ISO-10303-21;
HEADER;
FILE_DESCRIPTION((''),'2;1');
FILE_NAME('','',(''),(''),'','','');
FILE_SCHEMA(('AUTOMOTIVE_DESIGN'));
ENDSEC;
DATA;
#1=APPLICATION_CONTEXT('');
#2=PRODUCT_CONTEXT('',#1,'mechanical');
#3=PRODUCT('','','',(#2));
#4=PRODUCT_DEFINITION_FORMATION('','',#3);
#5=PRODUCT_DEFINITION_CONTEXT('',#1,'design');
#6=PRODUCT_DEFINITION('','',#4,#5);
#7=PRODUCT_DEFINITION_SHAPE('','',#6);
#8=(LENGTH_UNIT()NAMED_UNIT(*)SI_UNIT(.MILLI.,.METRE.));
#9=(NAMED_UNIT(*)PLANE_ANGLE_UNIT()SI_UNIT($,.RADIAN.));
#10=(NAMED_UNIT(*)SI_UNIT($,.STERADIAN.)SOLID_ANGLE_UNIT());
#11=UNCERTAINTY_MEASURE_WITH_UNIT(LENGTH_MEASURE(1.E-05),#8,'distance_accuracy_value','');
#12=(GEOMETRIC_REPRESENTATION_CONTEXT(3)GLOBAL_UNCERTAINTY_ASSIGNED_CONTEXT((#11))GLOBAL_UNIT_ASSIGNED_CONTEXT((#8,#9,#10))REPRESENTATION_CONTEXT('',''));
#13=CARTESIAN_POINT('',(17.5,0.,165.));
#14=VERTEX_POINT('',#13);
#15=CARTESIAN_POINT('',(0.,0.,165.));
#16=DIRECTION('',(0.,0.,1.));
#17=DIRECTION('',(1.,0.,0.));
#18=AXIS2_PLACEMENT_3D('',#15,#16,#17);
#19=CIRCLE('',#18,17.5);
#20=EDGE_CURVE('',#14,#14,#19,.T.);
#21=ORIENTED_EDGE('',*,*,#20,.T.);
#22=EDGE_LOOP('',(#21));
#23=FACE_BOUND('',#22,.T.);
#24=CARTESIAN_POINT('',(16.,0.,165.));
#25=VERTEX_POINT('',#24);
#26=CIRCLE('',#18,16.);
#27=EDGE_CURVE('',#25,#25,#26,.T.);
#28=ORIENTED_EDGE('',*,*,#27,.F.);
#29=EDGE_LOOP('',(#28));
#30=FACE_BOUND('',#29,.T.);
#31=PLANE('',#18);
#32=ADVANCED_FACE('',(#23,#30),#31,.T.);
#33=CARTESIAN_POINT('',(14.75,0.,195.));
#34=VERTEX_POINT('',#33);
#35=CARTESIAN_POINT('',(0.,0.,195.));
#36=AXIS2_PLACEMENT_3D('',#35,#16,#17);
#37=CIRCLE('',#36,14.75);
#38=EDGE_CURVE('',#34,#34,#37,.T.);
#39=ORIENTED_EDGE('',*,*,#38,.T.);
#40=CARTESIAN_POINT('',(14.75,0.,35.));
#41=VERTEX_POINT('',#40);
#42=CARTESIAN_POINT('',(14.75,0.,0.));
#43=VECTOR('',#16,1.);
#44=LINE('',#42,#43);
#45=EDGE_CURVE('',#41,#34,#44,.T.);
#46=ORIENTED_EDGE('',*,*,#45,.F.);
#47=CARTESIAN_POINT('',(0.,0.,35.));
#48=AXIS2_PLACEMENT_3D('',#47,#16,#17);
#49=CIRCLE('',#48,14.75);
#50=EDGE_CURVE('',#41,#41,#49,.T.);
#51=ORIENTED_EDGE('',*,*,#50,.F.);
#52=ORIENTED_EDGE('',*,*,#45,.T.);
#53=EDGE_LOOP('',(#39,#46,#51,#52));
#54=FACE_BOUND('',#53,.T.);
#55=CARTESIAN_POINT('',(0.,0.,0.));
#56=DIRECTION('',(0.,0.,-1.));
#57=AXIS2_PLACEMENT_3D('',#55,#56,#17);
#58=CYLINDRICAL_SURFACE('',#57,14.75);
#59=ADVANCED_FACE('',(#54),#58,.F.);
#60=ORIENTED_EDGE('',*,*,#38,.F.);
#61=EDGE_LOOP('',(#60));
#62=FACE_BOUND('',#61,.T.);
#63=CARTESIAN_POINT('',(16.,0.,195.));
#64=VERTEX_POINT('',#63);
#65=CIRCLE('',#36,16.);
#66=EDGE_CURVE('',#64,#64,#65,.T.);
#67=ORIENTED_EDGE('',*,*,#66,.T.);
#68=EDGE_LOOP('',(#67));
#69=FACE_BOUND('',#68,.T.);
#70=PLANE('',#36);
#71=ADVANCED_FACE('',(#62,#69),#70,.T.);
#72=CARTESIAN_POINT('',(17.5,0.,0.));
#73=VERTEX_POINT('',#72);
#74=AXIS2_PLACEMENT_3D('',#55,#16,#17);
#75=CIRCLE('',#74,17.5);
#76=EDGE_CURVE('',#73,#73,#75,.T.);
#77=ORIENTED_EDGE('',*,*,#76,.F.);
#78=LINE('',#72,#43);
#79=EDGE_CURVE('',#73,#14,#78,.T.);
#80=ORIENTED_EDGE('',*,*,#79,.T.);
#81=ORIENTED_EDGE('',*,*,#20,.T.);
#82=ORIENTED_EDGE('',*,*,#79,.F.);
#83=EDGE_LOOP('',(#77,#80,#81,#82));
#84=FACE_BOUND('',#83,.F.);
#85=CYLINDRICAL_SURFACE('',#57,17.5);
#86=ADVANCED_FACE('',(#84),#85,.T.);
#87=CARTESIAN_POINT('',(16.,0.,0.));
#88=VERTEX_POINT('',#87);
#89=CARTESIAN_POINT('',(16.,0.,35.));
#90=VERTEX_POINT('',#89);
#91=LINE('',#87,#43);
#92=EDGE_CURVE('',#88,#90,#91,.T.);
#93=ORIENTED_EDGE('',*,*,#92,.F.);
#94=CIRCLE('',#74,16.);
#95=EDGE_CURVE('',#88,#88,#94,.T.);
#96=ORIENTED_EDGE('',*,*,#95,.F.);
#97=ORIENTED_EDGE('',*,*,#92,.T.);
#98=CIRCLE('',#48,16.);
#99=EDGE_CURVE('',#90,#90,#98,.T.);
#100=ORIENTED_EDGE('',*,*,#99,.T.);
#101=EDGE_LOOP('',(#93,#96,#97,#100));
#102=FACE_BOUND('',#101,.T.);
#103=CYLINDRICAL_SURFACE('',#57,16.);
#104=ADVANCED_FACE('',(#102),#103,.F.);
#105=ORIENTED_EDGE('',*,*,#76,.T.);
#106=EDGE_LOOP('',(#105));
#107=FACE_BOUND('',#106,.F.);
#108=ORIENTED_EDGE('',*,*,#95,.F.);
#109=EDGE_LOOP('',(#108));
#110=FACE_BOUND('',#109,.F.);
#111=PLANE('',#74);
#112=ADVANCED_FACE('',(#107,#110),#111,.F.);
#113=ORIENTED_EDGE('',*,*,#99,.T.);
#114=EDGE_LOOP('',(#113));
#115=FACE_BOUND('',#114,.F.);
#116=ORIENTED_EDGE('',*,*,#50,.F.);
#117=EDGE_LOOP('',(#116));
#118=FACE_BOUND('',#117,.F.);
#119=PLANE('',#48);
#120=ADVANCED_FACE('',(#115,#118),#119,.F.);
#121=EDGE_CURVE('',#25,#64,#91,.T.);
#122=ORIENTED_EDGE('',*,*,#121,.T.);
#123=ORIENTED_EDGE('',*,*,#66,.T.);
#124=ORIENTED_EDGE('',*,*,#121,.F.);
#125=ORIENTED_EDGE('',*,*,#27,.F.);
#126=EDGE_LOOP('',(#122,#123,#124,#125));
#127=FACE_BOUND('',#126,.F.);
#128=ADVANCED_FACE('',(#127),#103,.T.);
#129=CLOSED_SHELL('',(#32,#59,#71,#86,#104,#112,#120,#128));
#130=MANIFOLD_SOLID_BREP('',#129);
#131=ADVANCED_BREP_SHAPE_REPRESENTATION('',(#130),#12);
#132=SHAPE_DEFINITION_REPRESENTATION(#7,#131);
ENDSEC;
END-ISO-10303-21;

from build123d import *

# Parameters (mm, degrees)
F0_R     = 16
F0_R_2   = 14.75
F1_DEPTH = 195
F0_R_3   = 17.5
F2_DEPTH = 165
F3_DEPTH = 35


with BuildPart() as f1:
    # F0 (on Top) → F1 (new body)
    with BuildSketch(Plane.XY):
        Circle(F0_R)
        Circle(F0_R_2, mode=Mode.SUBTRACT)
    extrude(amount=F1_DEPTH)

    # F0 (on Top) → F2 (join)
    with BuildSketch(Plane.XY):
        Circle(F0_R_3)
        Circle(F0_R, mode=Mode.SUBTRACT)
    extrude(amount=F2_DEPTH)

    # F0 (on Top) → F3 (cut)
    with BuildSketch(Plane.XY):
        Circle(F0_R)
        Circle(F0_R_2, mode=Mode.SUBTRACT)
    extrude(amount=F3_DEPTH, mode=Mode.SUBTRACT)


solid = f1.part
